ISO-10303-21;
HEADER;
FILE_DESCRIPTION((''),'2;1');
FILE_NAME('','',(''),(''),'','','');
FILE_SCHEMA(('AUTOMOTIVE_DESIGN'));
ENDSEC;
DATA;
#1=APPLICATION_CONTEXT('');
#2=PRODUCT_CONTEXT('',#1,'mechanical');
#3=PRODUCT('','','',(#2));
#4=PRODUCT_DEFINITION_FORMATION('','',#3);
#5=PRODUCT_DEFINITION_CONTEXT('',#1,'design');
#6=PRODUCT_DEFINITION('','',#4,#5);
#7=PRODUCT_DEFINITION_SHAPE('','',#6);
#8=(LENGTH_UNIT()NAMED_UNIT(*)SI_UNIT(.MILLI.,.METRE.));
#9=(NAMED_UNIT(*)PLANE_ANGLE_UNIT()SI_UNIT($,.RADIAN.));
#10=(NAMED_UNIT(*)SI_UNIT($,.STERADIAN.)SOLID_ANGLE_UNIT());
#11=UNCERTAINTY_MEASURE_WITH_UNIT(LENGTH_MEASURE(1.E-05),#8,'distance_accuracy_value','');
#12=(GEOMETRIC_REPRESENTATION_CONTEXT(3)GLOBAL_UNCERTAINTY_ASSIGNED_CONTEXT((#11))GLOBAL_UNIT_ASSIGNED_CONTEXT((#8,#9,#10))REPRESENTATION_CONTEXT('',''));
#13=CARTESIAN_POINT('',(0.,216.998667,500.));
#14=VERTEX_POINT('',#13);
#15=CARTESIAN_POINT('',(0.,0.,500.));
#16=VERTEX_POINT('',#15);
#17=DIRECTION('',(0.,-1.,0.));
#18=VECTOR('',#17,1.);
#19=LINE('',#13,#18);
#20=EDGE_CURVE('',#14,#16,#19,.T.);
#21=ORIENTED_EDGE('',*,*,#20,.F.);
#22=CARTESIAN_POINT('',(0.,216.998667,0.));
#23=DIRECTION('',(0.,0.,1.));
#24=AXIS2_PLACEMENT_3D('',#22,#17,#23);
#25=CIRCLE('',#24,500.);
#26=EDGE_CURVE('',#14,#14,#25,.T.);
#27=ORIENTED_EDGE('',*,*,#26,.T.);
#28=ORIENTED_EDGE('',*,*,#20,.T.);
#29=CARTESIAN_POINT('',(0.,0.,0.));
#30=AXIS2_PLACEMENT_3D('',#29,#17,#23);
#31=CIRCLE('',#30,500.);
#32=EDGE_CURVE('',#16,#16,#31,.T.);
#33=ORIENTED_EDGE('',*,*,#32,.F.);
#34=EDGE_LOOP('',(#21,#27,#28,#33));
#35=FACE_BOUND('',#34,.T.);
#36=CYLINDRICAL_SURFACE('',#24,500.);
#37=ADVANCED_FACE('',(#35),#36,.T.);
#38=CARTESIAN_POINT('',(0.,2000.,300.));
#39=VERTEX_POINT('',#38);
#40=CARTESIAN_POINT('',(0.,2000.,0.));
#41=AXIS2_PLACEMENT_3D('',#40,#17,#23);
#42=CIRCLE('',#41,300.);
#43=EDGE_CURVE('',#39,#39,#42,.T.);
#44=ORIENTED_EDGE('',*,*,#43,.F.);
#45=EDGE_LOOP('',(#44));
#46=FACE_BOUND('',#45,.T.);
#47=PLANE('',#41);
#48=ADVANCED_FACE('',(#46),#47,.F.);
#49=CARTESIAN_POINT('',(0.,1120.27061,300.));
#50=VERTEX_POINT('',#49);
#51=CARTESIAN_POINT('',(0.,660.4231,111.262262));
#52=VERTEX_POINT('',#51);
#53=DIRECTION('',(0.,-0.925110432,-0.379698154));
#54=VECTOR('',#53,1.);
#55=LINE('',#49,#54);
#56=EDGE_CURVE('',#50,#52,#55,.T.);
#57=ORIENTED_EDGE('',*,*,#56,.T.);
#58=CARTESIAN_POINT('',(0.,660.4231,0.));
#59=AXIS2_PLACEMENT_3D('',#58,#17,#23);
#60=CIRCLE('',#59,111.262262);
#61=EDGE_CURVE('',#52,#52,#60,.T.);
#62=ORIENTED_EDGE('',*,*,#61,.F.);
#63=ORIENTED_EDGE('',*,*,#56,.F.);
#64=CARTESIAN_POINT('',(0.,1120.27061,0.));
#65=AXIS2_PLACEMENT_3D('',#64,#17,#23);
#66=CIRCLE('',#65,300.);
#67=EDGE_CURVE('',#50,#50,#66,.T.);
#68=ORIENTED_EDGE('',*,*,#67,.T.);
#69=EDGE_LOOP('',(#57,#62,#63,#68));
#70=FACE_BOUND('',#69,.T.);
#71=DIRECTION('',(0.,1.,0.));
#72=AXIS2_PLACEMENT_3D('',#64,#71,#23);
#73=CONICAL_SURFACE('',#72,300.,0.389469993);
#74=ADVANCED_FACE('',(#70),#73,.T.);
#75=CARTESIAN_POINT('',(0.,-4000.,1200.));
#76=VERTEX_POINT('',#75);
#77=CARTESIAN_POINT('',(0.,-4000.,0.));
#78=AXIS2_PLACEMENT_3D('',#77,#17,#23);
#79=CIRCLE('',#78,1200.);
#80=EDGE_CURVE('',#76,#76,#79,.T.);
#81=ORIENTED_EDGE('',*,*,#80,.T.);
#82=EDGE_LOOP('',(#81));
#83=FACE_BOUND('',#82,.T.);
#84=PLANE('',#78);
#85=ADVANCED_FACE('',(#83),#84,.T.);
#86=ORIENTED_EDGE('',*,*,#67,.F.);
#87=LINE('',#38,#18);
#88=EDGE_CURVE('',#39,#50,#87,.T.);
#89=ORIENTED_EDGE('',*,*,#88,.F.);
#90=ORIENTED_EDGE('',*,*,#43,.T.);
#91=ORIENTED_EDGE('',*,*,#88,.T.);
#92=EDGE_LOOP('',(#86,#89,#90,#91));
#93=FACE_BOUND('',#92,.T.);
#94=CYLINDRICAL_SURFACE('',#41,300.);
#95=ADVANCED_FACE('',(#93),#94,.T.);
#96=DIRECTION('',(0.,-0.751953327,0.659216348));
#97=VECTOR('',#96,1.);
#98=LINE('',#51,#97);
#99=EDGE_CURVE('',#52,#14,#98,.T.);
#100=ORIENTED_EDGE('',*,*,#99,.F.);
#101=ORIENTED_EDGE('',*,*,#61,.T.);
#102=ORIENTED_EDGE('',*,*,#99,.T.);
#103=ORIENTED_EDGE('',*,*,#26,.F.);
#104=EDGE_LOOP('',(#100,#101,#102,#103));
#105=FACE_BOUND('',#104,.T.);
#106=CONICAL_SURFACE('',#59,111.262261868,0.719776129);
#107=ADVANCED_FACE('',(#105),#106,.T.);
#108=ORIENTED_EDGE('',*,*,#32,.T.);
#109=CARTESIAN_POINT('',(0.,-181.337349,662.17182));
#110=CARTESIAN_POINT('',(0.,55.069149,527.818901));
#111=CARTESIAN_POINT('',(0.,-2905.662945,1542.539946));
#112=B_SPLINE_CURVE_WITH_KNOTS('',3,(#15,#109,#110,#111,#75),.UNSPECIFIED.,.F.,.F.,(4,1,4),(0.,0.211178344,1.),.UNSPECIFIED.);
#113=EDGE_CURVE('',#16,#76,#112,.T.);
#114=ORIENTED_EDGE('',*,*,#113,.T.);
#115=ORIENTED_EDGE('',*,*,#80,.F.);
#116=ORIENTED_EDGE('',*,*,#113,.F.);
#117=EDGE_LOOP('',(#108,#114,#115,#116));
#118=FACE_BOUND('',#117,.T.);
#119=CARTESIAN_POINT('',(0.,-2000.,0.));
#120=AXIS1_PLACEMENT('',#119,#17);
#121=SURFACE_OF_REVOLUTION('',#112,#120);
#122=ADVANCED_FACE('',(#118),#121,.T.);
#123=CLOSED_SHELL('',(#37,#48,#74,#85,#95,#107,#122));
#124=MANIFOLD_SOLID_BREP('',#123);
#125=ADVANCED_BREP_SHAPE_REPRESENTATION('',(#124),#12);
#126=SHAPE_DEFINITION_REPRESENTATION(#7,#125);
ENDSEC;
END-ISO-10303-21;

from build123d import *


with BuildPart() as f1:
    # F0 (on Right) → F1 (revolve)
    with BuildSketch(Plane.YZ):
        with BuildLine():
            Line((-4000, 0), (0, 0))
            Line((0, 0), (0, 500))
            add(Edge.make_bspline(
                [(0, 500), (-181.3373490426, 662.1718196247), (55.0691493231, 527.8189005181), (-2905.6629446896, 1542.5399462934), (-4000, 1200)],
                knots=[0, 0, 0, 0, 0.2111783438, 1, 1, 1, 1], degree=3))
            Line((-4000, 1200), (-4000, 0))
        make_face()
        Polygon((0, 500), (0, 0), (2000, 0), (2000, 300), (1120.2706098557, 300), (660.4230999947, 111.2622618675), (216.9986665249, 500), align=None)
    revolve(axis=Axis((0, -2000, 0), (0, -1, 0)))


solid = f1.part
